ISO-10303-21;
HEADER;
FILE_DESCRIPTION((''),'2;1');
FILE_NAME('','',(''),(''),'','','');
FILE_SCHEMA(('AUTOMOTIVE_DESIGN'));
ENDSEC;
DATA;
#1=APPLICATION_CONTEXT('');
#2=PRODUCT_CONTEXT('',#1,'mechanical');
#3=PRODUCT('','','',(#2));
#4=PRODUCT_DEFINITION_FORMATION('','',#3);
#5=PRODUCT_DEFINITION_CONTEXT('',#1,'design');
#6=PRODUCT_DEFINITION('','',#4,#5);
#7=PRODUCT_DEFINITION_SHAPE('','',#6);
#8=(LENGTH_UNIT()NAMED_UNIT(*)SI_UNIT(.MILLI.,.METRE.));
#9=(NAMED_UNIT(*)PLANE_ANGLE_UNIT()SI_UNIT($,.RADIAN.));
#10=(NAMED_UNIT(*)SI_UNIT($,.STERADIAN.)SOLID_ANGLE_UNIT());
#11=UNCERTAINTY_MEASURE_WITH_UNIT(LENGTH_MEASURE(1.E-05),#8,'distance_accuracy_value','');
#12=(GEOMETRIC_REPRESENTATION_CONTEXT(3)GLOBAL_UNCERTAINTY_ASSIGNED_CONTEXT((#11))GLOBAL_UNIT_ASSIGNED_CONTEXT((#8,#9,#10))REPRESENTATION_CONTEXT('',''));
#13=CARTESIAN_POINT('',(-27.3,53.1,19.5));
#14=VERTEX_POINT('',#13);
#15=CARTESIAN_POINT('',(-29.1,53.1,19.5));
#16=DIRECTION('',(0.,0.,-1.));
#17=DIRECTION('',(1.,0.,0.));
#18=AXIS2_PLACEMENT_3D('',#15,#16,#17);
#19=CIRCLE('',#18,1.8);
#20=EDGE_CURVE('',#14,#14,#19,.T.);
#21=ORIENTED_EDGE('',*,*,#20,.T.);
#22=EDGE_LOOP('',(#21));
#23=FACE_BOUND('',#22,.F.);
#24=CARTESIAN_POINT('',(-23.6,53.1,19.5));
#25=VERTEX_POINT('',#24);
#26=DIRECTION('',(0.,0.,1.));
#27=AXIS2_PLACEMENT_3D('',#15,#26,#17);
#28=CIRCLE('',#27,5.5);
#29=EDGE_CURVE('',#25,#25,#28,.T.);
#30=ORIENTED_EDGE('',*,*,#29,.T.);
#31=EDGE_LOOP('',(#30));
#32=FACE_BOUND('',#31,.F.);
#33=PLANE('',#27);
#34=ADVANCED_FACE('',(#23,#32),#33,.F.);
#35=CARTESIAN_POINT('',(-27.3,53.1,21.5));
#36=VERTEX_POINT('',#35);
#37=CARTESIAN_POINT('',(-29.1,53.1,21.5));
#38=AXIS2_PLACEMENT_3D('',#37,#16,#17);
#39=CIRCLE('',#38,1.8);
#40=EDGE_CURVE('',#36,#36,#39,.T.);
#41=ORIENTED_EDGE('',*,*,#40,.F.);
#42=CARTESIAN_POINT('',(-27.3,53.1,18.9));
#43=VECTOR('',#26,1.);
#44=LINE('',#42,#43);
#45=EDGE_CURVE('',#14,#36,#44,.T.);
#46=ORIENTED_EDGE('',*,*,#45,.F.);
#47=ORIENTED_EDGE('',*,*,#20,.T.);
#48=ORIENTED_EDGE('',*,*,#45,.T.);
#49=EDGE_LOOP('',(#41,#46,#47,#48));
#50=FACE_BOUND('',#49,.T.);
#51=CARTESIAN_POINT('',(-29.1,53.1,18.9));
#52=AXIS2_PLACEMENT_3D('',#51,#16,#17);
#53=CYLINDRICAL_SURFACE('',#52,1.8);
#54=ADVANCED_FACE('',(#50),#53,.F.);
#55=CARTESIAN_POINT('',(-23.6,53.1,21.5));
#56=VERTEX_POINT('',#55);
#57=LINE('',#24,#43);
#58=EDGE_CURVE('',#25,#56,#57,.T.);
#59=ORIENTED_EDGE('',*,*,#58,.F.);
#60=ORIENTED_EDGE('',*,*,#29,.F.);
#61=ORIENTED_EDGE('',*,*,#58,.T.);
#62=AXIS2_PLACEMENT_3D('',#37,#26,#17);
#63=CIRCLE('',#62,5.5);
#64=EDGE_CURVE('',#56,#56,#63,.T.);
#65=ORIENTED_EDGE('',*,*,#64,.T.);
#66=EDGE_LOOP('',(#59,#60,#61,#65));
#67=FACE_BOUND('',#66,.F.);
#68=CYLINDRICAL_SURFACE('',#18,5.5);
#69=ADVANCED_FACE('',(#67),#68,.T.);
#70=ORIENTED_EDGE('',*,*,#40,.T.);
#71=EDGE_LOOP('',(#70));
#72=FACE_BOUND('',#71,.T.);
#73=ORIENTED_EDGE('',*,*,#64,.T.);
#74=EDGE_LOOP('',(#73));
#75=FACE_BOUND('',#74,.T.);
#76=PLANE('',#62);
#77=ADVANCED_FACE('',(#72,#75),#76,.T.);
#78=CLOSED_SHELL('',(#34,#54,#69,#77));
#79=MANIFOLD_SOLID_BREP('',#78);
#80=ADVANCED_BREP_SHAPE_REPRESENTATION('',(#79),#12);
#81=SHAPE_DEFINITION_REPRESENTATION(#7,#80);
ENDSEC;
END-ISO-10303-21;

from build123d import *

# Parameters (mm, degrees)
CYLINDER013_R     = 1.8
CYLINDER013_DEPTH = 5
CYLINDER012_R     = 5.5
CYLINDER012_DEPTH = 2


with BuildPart() as vaciado_tope006:
    # Cylinder013 → Cylinder013 (new body)
    with BuildSketch(Plane(origin=(-29.1, 53.1, 24.6), x_dir=(1, 0, 0), z_dir=(0, 0, 1))):
        Circle(CYLINDER013_R)
    extrude(amount=CYLINDER013_DEPTH)


with BuildPart() as arandela_2mm:
    # Cylinder012 → Cylinder012 (new body)
    with BuildSketch(Plane(origin=(-29.1, 53.1, 25.2), x_dir=(1, 0, 0), z_dir=(0, 0, 1))):
        Circle(CYLINDER012_R)
    extrude(amount=CYLINDER012_DEPTH)

    # Cut006: cut vaciado tope006
    add(vaciado_tope006.part, mode=Mode.SUBTRACT)


with BuildPart() as arandela_2mm_1:
    # Cut006 placement: moved
    add(arandela_2mm.part.moved(Location((0, 0, -5.7))))


solid = arandela_2mm_1.part
